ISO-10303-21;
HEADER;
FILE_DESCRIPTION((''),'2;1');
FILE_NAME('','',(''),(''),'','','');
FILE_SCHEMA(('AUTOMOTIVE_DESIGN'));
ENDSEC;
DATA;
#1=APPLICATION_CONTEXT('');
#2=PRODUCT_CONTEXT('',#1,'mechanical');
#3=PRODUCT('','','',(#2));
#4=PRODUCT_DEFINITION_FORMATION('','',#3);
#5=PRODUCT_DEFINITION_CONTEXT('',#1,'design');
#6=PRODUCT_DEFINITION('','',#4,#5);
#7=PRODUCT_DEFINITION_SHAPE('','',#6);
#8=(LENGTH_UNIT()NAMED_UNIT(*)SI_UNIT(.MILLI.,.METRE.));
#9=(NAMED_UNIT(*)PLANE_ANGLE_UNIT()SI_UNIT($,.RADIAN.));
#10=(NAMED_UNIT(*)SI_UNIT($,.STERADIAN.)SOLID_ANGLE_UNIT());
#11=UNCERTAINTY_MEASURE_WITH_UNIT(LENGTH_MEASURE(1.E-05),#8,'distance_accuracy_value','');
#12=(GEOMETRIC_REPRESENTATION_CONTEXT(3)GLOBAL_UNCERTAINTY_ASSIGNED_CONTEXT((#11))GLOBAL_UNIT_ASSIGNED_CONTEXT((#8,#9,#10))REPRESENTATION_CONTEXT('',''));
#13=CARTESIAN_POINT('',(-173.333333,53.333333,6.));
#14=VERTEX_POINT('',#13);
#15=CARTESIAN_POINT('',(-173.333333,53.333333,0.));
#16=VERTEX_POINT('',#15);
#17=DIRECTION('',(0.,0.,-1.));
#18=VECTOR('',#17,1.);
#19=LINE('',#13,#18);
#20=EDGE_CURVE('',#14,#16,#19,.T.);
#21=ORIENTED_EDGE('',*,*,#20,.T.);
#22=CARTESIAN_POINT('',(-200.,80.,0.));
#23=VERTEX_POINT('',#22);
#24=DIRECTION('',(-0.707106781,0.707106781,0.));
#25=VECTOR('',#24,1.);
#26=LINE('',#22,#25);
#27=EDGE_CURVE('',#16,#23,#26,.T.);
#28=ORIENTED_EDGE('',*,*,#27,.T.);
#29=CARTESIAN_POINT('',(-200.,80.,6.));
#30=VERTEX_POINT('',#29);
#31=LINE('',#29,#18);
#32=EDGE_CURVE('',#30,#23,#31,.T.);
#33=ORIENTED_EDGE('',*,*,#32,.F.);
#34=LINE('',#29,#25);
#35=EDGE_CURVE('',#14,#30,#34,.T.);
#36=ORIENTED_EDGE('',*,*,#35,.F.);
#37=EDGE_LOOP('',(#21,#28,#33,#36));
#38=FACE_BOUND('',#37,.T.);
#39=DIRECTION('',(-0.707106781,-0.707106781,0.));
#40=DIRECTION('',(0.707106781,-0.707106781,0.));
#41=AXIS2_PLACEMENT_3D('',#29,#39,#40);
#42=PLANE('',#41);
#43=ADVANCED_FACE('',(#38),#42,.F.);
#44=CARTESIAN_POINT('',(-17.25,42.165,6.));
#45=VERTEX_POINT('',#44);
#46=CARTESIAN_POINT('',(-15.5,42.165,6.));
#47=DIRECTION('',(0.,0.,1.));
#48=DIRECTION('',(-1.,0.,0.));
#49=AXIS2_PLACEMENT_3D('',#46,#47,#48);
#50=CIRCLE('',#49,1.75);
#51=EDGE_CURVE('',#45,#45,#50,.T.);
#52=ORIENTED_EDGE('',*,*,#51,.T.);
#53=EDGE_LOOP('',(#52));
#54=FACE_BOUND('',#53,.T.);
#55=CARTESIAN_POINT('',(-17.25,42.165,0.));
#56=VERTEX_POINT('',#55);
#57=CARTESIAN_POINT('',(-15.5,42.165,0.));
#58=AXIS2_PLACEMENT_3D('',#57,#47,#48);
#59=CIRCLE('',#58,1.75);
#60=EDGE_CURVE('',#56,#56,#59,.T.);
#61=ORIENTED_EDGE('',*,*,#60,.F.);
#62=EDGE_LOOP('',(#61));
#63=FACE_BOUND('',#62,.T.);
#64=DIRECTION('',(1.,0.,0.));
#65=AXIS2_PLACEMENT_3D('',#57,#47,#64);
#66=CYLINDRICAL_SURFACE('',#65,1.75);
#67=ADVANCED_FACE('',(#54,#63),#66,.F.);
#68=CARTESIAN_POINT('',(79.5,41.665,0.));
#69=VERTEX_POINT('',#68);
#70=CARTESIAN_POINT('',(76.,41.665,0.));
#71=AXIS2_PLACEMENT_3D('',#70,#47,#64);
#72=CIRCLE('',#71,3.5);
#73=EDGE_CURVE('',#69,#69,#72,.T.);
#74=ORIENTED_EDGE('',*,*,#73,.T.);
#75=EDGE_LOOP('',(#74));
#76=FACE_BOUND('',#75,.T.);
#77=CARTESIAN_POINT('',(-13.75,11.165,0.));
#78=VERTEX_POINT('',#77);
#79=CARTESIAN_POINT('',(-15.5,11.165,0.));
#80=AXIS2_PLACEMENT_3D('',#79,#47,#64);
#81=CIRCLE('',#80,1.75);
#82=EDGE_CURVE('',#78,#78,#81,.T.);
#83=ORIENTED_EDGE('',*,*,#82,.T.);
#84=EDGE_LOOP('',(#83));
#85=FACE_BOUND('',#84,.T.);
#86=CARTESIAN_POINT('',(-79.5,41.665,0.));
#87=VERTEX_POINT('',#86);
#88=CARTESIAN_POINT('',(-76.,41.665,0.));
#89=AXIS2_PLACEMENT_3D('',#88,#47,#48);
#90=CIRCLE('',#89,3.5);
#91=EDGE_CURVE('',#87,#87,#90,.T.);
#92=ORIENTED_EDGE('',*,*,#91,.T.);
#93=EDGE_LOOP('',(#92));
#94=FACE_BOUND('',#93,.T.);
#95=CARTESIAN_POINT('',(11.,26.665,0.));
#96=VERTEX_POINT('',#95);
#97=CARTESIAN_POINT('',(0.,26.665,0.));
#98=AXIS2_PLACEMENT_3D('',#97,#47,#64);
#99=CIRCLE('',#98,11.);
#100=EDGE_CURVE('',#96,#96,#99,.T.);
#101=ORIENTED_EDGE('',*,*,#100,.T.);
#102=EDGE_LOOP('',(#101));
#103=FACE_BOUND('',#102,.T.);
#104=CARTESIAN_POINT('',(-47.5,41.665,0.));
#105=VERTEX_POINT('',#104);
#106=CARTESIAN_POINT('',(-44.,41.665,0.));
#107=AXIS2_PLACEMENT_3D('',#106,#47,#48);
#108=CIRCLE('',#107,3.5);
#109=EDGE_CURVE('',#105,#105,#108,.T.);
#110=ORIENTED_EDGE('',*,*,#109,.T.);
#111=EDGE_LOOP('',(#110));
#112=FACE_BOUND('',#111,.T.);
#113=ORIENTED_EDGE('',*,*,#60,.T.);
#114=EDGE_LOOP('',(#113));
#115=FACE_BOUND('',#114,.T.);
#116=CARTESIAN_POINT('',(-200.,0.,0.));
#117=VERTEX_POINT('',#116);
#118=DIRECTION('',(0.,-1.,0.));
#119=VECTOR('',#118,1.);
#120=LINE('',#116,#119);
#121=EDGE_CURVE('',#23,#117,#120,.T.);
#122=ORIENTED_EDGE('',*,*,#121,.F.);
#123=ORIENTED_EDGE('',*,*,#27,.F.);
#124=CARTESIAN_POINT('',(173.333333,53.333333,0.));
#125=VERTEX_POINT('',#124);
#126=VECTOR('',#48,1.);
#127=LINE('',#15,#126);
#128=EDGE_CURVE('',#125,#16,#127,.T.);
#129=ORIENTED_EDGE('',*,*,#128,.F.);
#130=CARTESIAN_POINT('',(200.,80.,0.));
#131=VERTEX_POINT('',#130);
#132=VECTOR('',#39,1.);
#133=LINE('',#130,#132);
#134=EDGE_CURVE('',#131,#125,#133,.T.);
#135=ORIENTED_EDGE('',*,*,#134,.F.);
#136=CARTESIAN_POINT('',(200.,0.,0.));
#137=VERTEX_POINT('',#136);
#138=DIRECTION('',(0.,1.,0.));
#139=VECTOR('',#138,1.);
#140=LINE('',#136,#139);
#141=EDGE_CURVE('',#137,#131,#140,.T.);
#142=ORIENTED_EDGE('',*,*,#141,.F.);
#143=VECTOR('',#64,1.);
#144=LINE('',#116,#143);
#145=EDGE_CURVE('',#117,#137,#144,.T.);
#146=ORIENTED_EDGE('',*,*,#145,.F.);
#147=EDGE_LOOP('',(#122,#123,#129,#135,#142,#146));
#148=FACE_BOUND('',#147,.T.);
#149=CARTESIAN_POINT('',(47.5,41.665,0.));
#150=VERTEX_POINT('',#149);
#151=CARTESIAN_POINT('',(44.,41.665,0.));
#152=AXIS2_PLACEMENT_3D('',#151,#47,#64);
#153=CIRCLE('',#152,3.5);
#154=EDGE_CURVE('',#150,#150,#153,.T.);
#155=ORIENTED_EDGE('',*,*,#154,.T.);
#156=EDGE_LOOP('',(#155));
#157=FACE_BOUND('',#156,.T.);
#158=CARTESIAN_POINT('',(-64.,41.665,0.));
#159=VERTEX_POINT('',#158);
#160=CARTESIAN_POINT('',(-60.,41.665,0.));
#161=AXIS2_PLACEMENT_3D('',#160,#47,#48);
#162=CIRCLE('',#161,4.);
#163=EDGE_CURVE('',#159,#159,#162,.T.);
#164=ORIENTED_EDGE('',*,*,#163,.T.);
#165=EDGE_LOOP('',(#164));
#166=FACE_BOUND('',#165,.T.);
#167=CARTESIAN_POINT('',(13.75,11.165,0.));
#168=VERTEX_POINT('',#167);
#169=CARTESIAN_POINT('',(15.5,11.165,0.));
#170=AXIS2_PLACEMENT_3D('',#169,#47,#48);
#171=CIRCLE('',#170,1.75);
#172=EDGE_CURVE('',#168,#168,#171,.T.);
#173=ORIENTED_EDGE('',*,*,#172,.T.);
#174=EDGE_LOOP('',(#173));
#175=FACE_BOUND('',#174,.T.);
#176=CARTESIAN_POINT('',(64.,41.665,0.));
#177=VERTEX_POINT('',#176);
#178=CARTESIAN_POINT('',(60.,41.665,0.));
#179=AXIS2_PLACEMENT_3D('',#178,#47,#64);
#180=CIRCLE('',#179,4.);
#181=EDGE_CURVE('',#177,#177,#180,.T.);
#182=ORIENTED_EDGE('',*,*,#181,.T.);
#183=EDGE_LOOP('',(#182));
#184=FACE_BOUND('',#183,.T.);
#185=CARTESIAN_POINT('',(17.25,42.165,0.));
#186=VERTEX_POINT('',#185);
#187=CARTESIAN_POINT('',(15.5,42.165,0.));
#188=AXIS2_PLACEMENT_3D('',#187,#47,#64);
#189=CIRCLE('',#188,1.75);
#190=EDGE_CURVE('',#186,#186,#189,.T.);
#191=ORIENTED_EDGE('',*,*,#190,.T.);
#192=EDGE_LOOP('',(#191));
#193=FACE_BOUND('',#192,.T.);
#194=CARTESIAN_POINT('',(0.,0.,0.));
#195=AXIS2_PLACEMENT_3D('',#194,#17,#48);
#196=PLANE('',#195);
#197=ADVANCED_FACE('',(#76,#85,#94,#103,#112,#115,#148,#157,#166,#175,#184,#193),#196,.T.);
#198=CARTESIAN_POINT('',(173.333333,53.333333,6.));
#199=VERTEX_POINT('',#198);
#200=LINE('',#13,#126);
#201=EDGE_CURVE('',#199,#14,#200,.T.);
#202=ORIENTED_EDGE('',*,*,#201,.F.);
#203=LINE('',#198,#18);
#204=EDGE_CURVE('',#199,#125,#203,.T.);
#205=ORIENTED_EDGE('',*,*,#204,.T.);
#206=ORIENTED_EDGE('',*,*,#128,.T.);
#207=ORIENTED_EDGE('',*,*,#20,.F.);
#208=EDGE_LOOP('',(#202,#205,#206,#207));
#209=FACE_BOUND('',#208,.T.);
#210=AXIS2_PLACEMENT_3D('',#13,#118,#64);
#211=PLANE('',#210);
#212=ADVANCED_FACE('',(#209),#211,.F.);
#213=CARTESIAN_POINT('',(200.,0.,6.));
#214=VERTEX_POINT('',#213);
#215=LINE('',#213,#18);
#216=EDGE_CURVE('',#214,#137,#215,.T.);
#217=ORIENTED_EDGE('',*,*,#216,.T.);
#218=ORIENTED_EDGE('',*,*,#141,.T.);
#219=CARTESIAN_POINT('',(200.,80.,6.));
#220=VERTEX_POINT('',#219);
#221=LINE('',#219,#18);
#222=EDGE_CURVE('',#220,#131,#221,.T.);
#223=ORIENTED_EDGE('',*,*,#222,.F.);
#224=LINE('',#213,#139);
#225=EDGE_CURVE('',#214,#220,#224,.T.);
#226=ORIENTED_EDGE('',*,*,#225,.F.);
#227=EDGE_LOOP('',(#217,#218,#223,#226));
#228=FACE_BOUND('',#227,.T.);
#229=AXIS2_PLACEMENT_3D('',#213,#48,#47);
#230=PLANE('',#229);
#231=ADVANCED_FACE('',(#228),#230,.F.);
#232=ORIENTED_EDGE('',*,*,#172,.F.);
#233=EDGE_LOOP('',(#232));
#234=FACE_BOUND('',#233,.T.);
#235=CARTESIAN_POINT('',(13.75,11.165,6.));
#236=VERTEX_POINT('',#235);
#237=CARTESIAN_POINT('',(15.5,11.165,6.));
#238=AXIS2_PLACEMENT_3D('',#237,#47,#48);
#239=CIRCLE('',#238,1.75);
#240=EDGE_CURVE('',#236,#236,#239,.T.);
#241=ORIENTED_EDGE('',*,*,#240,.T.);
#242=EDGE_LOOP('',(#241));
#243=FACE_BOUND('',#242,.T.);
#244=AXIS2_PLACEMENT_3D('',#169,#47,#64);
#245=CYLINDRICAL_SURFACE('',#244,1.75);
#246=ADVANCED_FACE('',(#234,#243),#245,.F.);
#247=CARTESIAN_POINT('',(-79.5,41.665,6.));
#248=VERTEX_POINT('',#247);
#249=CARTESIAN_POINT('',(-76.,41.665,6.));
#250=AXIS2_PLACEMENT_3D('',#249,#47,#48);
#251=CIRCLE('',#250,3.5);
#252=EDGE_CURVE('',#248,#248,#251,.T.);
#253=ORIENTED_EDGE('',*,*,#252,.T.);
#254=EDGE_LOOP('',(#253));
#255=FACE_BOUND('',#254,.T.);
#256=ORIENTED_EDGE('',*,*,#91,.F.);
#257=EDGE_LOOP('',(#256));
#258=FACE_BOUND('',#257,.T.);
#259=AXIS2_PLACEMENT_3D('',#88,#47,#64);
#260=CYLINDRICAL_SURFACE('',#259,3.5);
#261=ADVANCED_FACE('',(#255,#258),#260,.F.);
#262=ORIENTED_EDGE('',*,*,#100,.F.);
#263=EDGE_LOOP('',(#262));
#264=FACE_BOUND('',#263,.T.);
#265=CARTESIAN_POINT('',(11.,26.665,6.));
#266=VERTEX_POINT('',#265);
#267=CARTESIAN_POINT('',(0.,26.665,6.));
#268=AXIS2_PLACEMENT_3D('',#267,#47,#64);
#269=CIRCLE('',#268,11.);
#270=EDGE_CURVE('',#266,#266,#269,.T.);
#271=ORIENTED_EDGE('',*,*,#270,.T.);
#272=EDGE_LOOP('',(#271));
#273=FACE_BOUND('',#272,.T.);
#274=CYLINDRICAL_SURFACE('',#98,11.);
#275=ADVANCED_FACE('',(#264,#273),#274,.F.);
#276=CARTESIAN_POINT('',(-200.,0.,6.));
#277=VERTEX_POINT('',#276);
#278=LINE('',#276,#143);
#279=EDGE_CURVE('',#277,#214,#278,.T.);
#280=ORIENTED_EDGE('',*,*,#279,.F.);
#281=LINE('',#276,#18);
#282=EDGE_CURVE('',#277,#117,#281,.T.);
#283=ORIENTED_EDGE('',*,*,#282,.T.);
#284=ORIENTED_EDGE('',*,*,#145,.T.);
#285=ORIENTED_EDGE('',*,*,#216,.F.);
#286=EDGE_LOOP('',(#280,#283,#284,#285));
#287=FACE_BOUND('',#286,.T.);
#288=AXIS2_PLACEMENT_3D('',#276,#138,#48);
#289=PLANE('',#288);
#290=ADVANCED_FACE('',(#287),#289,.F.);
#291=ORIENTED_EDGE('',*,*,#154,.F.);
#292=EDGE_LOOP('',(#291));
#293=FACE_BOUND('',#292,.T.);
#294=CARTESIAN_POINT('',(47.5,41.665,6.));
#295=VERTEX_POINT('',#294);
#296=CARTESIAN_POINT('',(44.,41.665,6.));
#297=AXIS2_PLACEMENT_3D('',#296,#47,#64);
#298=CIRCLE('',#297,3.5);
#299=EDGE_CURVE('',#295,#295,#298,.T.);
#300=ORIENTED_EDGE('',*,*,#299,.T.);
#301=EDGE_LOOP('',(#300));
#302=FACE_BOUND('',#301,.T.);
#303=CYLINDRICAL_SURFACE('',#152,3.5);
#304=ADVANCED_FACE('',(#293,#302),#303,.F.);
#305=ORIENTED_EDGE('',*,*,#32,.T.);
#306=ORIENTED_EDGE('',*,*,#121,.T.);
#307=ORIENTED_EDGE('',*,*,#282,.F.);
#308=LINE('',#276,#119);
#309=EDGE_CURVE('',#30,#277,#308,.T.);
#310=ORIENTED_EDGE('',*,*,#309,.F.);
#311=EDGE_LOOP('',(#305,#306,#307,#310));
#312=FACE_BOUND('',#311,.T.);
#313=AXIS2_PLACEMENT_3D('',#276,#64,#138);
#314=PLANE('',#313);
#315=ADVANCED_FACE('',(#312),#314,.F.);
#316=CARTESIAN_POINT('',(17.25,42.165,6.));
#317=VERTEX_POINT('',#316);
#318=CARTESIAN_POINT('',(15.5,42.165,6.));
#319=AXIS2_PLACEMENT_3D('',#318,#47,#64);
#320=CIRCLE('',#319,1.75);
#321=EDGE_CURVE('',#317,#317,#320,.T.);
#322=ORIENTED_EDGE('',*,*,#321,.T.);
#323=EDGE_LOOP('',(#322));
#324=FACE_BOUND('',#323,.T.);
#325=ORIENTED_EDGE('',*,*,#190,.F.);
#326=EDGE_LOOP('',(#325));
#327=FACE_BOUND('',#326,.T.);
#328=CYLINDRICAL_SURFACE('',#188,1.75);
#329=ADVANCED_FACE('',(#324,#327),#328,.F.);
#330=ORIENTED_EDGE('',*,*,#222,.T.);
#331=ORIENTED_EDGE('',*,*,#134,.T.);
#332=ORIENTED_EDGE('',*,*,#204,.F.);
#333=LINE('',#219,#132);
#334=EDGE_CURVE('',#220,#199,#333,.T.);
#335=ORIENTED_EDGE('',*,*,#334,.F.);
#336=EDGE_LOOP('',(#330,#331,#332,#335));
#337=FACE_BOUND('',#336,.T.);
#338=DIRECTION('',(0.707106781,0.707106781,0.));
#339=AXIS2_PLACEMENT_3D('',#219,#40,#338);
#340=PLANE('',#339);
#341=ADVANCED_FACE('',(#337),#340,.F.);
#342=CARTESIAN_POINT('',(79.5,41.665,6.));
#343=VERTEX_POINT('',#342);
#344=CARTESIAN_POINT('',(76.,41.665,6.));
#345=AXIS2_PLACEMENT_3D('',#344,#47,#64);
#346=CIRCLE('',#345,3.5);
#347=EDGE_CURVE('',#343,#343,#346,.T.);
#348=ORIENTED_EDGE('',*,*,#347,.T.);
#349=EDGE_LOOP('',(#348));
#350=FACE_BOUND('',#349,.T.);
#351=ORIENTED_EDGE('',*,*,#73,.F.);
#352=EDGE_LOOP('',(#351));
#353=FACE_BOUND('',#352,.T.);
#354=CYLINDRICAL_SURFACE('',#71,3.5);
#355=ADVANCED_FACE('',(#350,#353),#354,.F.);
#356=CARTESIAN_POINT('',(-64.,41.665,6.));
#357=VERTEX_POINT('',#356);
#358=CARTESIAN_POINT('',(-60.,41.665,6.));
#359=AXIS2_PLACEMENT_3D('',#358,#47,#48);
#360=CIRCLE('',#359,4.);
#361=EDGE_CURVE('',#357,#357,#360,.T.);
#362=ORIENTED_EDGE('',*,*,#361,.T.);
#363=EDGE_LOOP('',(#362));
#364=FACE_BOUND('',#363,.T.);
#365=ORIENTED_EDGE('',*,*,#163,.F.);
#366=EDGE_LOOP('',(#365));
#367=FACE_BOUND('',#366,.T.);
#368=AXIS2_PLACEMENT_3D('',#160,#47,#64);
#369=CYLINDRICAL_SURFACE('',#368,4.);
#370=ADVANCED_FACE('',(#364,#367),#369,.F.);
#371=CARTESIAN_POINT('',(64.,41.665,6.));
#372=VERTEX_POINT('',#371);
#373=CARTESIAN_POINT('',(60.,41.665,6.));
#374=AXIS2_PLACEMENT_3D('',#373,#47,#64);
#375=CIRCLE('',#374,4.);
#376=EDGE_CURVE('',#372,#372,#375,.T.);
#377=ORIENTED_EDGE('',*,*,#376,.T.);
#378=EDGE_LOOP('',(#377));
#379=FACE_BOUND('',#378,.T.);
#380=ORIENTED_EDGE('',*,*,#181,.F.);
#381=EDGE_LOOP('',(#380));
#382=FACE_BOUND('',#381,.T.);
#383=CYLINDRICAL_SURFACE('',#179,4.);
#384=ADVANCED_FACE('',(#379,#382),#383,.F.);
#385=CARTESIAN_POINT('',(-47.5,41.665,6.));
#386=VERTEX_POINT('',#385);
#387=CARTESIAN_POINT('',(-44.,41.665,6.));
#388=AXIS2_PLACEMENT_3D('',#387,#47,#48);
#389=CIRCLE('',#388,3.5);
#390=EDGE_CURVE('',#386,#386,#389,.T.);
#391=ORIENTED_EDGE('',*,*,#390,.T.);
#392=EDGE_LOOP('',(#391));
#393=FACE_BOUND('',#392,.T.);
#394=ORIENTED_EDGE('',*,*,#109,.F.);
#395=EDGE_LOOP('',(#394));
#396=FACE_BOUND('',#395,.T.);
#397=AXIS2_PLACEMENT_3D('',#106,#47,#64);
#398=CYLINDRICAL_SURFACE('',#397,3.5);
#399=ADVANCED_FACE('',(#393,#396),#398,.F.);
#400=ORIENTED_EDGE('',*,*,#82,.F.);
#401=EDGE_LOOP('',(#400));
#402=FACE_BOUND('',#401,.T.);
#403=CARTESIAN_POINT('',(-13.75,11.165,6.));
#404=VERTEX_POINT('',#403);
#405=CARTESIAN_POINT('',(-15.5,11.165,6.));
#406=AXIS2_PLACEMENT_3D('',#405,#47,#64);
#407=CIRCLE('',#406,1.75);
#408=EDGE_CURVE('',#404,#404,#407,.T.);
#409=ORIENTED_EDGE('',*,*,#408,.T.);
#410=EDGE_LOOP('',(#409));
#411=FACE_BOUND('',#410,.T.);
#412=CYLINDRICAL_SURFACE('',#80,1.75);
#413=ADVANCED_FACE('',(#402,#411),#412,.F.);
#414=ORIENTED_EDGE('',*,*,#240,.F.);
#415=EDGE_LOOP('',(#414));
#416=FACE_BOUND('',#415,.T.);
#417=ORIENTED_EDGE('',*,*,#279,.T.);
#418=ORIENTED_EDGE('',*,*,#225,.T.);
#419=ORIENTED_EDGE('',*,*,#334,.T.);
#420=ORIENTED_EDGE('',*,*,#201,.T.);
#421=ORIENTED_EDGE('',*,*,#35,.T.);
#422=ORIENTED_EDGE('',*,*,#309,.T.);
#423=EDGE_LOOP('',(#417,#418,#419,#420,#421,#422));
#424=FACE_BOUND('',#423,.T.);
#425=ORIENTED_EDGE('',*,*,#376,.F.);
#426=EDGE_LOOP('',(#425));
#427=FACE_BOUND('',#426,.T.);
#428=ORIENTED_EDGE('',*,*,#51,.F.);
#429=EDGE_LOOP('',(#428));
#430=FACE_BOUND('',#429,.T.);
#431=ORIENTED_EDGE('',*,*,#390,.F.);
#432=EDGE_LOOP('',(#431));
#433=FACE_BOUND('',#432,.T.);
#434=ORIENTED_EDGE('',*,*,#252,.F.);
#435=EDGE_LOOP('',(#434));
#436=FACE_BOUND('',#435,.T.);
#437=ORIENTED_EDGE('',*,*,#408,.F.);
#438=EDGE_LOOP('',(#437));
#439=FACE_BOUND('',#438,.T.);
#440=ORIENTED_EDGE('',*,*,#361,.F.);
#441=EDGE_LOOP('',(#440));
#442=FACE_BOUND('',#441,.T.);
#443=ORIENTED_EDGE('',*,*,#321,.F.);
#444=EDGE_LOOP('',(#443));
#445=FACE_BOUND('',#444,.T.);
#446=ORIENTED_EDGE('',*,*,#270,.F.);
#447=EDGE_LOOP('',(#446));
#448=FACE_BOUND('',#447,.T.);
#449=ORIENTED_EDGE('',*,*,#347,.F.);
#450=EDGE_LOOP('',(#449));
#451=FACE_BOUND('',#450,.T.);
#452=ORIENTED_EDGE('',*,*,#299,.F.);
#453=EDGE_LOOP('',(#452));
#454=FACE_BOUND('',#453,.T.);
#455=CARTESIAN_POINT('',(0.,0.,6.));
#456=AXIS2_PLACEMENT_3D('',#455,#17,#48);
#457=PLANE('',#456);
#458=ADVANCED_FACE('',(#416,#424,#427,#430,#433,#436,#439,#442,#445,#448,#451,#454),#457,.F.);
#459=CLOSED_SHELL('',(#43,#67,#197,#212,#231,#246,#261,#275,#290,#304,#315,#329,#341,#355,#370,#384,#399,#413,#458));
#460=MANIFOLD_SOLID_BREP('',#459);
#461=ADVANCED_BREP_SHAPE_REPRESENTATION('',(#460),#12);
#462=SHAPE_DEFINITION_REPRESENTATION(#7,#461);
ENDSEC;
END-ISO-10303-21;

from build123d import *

# Parameters (mm, degrees)
BOSS_EXTRUDE1_DEPTH = 6
SKETCH2_R           = 11
SKETCH2_R_2         = 1.75
SKETCH2_R_3         = 4
SKETCH2_R_4         = 3.5
CUT_EXTRUDE1_DEPTH  = 216.490138986


with BuildPart() as part:
    # Sketch1 → Boss-Extrude1 (new body)
    with BuildSketch(Plane.XY):
        Polygon((-200, 0), (200, 0), (200, 80), (173.333333333, 53.333333333), (-173.333333333, 53.333333333), (-200, 80), align=None)
    extrude(amount=BOSS_EXTRUDE1_DEPTH)

    # Sketch2 → Cut-Extrude1 (cut, through all)
    with BuildSketch(Plane.XY.offset(6)):
        with Locations((0, 26.665)):
            Circle(SKETCH2_R)
        with Locations((15.5, 42.165)):
            Circle(SKETCH2_R_2)
        with Locations(Location((-15.5, 42.165, 0), (0, 0, 180))):
            Circle(SKETCH2_R_2)
        with Locations((-15.5, 11.165)):
            Circle(SKETCH2_R_2)
        with Locations(Location((15.5, 11.165, 0), (0, 0, 180))):
            Circle(SKETCH2_R_2)
        with Locations((60, 41.665)):
            Circle(SKETCH2_R_3)
        with Locations((76, 41.665)):
            Circle(SKETCH2_R_4)
        with Locations((44, 41.665)):
            Circle(SKETCH2_R_4)
        with Locations(Location((-44, 41.665, 0), (0, 0, 180))):
            Circle(SKETCH2_R_4)
        with Locations(Location((-76, 41.665, 0), (0, 0, 180))):
            Circle(SKETCH2_R_4)
        with Locations(Location((-60, 41.665, 0), (0, 0, 180))):
            Circle(SKETCH2_R_3)
    extrude(amount=-CUT_EXTRUDE1_DEPTH, mode=Mode.SUBTRACT)


solid = part.part
